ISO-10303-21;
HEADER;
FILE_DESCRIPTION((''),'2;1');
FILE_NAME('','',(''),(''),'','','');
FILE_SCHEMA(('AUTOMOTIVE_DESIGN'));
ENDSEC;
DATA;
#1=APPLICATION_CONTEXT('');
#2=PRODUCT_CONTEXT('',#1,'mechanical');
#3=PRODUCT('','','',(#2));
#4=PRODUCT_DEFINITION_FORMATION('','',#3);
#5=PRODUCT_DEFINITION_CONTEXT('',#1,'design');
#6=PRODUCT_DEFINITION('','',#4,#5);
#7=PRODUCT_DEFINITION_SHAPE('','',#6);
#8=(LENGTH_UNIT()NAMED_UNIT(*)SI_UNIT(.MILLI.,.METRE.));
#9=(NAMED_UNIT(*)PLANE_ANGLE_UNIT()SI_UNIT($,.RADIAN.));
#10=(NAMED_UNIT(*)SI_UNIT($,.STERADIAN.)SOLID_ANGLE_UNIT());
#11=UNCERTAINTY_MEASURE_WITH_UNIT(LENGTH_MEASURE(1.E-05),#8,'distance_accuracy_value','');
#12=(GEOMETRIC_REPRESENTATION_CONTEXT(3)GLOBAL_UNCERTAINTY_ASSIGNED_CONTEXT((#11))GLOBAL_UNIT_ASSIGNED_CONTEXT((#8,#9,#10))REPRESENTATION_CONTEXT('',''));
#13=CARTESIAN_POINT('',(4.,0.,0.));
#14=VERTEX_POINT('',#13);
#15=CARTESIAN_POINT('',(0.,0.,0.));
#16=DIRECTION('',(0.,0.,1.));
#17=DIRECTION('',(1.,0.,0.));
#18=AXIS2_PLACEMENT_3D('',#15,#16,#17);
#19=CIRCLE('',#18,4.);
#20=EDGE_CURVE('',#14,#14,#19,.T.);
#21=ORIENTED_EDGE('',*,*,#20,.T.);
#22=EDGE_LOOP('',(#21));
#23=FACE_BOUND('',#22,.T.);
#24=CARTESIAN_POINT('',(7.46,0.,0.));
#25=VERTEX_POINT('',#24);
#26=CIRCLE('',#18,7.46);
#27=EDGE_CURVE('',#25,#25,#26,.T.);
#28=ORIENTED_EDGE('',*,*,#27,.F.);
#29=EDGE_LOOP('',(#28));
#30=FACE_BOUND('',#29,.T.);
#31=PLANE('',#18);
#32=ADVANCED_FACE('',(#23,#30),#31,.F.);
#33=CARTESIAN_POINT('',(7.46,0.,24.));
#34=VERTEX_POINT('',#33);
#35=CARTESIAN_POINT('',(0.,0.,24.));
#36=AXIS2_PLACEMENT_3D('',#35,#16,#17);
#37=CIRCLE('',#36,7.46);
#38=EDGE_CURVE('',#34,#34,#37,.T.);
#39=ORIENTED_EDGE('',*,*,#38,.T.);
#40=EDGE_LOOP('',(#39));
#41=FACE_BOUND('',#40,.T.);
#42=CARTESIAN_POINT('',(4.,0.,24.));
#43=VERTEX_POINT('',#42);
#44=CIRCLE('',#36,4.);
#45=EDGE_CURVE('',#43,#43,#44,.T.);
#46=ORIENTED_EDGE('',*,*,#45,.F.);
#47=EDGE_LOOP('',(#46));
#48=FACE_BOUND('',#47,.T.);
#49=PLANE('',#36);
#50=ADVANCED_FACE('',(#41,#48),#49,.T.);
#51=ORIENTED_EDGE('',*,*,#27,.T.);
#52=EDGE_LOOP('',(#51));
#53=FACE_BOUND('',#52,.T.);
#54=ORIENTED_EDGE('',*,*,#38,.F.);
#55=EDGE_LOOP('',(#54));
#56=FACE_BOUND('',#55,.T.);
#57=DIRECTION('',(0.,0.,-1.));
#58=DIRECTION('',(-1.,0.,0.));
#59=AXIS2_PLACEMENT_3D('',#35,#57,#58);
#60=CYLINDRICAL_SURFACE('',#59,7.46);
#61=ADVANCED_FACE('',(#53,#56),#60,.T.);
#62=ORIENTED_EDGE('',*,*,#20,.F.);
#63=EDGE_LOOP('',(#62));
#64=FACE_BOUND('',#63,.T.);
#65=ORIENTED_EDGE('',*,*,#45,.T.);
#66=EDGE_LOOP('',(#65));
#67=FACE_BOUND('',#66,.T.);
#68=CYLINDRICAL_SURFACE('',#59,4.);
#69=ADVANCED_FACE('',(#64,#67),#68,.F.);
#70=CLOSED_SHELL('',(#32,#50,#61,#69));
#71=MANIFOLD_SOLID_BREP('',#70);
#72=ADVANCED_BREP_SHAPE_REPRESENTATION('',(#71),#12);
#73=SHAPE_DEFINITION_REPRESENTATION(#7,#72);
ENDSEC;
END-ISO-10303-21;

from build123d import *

# Parameters (mm, degrees)
SKETCH1_R           = 7.46
BOSS_EXTRUDE1_DEPTH = 24
SKETCH2_R           = 4
CUT_EXTRUDE1_DEPTH  = 24


with BuildPart() as part:
    # Sketch1 → Boss-Extrude1 (new body)
    with BuildSketch(Plane.XY):
        Circle(SKETCH1_R)
    extrude(amount=BOSS_EXTRUDE1_DEPTH)

    # Sketch2 → Cut-Extrude1 (cut)
    with BuildSketch(Plane.XY):
        Circle(SKETCH2_R)
    extrude(amount=CUT_EXTRUDE1_DEPTH, mode=Mode.SUBTRACT)


solid = part.part
